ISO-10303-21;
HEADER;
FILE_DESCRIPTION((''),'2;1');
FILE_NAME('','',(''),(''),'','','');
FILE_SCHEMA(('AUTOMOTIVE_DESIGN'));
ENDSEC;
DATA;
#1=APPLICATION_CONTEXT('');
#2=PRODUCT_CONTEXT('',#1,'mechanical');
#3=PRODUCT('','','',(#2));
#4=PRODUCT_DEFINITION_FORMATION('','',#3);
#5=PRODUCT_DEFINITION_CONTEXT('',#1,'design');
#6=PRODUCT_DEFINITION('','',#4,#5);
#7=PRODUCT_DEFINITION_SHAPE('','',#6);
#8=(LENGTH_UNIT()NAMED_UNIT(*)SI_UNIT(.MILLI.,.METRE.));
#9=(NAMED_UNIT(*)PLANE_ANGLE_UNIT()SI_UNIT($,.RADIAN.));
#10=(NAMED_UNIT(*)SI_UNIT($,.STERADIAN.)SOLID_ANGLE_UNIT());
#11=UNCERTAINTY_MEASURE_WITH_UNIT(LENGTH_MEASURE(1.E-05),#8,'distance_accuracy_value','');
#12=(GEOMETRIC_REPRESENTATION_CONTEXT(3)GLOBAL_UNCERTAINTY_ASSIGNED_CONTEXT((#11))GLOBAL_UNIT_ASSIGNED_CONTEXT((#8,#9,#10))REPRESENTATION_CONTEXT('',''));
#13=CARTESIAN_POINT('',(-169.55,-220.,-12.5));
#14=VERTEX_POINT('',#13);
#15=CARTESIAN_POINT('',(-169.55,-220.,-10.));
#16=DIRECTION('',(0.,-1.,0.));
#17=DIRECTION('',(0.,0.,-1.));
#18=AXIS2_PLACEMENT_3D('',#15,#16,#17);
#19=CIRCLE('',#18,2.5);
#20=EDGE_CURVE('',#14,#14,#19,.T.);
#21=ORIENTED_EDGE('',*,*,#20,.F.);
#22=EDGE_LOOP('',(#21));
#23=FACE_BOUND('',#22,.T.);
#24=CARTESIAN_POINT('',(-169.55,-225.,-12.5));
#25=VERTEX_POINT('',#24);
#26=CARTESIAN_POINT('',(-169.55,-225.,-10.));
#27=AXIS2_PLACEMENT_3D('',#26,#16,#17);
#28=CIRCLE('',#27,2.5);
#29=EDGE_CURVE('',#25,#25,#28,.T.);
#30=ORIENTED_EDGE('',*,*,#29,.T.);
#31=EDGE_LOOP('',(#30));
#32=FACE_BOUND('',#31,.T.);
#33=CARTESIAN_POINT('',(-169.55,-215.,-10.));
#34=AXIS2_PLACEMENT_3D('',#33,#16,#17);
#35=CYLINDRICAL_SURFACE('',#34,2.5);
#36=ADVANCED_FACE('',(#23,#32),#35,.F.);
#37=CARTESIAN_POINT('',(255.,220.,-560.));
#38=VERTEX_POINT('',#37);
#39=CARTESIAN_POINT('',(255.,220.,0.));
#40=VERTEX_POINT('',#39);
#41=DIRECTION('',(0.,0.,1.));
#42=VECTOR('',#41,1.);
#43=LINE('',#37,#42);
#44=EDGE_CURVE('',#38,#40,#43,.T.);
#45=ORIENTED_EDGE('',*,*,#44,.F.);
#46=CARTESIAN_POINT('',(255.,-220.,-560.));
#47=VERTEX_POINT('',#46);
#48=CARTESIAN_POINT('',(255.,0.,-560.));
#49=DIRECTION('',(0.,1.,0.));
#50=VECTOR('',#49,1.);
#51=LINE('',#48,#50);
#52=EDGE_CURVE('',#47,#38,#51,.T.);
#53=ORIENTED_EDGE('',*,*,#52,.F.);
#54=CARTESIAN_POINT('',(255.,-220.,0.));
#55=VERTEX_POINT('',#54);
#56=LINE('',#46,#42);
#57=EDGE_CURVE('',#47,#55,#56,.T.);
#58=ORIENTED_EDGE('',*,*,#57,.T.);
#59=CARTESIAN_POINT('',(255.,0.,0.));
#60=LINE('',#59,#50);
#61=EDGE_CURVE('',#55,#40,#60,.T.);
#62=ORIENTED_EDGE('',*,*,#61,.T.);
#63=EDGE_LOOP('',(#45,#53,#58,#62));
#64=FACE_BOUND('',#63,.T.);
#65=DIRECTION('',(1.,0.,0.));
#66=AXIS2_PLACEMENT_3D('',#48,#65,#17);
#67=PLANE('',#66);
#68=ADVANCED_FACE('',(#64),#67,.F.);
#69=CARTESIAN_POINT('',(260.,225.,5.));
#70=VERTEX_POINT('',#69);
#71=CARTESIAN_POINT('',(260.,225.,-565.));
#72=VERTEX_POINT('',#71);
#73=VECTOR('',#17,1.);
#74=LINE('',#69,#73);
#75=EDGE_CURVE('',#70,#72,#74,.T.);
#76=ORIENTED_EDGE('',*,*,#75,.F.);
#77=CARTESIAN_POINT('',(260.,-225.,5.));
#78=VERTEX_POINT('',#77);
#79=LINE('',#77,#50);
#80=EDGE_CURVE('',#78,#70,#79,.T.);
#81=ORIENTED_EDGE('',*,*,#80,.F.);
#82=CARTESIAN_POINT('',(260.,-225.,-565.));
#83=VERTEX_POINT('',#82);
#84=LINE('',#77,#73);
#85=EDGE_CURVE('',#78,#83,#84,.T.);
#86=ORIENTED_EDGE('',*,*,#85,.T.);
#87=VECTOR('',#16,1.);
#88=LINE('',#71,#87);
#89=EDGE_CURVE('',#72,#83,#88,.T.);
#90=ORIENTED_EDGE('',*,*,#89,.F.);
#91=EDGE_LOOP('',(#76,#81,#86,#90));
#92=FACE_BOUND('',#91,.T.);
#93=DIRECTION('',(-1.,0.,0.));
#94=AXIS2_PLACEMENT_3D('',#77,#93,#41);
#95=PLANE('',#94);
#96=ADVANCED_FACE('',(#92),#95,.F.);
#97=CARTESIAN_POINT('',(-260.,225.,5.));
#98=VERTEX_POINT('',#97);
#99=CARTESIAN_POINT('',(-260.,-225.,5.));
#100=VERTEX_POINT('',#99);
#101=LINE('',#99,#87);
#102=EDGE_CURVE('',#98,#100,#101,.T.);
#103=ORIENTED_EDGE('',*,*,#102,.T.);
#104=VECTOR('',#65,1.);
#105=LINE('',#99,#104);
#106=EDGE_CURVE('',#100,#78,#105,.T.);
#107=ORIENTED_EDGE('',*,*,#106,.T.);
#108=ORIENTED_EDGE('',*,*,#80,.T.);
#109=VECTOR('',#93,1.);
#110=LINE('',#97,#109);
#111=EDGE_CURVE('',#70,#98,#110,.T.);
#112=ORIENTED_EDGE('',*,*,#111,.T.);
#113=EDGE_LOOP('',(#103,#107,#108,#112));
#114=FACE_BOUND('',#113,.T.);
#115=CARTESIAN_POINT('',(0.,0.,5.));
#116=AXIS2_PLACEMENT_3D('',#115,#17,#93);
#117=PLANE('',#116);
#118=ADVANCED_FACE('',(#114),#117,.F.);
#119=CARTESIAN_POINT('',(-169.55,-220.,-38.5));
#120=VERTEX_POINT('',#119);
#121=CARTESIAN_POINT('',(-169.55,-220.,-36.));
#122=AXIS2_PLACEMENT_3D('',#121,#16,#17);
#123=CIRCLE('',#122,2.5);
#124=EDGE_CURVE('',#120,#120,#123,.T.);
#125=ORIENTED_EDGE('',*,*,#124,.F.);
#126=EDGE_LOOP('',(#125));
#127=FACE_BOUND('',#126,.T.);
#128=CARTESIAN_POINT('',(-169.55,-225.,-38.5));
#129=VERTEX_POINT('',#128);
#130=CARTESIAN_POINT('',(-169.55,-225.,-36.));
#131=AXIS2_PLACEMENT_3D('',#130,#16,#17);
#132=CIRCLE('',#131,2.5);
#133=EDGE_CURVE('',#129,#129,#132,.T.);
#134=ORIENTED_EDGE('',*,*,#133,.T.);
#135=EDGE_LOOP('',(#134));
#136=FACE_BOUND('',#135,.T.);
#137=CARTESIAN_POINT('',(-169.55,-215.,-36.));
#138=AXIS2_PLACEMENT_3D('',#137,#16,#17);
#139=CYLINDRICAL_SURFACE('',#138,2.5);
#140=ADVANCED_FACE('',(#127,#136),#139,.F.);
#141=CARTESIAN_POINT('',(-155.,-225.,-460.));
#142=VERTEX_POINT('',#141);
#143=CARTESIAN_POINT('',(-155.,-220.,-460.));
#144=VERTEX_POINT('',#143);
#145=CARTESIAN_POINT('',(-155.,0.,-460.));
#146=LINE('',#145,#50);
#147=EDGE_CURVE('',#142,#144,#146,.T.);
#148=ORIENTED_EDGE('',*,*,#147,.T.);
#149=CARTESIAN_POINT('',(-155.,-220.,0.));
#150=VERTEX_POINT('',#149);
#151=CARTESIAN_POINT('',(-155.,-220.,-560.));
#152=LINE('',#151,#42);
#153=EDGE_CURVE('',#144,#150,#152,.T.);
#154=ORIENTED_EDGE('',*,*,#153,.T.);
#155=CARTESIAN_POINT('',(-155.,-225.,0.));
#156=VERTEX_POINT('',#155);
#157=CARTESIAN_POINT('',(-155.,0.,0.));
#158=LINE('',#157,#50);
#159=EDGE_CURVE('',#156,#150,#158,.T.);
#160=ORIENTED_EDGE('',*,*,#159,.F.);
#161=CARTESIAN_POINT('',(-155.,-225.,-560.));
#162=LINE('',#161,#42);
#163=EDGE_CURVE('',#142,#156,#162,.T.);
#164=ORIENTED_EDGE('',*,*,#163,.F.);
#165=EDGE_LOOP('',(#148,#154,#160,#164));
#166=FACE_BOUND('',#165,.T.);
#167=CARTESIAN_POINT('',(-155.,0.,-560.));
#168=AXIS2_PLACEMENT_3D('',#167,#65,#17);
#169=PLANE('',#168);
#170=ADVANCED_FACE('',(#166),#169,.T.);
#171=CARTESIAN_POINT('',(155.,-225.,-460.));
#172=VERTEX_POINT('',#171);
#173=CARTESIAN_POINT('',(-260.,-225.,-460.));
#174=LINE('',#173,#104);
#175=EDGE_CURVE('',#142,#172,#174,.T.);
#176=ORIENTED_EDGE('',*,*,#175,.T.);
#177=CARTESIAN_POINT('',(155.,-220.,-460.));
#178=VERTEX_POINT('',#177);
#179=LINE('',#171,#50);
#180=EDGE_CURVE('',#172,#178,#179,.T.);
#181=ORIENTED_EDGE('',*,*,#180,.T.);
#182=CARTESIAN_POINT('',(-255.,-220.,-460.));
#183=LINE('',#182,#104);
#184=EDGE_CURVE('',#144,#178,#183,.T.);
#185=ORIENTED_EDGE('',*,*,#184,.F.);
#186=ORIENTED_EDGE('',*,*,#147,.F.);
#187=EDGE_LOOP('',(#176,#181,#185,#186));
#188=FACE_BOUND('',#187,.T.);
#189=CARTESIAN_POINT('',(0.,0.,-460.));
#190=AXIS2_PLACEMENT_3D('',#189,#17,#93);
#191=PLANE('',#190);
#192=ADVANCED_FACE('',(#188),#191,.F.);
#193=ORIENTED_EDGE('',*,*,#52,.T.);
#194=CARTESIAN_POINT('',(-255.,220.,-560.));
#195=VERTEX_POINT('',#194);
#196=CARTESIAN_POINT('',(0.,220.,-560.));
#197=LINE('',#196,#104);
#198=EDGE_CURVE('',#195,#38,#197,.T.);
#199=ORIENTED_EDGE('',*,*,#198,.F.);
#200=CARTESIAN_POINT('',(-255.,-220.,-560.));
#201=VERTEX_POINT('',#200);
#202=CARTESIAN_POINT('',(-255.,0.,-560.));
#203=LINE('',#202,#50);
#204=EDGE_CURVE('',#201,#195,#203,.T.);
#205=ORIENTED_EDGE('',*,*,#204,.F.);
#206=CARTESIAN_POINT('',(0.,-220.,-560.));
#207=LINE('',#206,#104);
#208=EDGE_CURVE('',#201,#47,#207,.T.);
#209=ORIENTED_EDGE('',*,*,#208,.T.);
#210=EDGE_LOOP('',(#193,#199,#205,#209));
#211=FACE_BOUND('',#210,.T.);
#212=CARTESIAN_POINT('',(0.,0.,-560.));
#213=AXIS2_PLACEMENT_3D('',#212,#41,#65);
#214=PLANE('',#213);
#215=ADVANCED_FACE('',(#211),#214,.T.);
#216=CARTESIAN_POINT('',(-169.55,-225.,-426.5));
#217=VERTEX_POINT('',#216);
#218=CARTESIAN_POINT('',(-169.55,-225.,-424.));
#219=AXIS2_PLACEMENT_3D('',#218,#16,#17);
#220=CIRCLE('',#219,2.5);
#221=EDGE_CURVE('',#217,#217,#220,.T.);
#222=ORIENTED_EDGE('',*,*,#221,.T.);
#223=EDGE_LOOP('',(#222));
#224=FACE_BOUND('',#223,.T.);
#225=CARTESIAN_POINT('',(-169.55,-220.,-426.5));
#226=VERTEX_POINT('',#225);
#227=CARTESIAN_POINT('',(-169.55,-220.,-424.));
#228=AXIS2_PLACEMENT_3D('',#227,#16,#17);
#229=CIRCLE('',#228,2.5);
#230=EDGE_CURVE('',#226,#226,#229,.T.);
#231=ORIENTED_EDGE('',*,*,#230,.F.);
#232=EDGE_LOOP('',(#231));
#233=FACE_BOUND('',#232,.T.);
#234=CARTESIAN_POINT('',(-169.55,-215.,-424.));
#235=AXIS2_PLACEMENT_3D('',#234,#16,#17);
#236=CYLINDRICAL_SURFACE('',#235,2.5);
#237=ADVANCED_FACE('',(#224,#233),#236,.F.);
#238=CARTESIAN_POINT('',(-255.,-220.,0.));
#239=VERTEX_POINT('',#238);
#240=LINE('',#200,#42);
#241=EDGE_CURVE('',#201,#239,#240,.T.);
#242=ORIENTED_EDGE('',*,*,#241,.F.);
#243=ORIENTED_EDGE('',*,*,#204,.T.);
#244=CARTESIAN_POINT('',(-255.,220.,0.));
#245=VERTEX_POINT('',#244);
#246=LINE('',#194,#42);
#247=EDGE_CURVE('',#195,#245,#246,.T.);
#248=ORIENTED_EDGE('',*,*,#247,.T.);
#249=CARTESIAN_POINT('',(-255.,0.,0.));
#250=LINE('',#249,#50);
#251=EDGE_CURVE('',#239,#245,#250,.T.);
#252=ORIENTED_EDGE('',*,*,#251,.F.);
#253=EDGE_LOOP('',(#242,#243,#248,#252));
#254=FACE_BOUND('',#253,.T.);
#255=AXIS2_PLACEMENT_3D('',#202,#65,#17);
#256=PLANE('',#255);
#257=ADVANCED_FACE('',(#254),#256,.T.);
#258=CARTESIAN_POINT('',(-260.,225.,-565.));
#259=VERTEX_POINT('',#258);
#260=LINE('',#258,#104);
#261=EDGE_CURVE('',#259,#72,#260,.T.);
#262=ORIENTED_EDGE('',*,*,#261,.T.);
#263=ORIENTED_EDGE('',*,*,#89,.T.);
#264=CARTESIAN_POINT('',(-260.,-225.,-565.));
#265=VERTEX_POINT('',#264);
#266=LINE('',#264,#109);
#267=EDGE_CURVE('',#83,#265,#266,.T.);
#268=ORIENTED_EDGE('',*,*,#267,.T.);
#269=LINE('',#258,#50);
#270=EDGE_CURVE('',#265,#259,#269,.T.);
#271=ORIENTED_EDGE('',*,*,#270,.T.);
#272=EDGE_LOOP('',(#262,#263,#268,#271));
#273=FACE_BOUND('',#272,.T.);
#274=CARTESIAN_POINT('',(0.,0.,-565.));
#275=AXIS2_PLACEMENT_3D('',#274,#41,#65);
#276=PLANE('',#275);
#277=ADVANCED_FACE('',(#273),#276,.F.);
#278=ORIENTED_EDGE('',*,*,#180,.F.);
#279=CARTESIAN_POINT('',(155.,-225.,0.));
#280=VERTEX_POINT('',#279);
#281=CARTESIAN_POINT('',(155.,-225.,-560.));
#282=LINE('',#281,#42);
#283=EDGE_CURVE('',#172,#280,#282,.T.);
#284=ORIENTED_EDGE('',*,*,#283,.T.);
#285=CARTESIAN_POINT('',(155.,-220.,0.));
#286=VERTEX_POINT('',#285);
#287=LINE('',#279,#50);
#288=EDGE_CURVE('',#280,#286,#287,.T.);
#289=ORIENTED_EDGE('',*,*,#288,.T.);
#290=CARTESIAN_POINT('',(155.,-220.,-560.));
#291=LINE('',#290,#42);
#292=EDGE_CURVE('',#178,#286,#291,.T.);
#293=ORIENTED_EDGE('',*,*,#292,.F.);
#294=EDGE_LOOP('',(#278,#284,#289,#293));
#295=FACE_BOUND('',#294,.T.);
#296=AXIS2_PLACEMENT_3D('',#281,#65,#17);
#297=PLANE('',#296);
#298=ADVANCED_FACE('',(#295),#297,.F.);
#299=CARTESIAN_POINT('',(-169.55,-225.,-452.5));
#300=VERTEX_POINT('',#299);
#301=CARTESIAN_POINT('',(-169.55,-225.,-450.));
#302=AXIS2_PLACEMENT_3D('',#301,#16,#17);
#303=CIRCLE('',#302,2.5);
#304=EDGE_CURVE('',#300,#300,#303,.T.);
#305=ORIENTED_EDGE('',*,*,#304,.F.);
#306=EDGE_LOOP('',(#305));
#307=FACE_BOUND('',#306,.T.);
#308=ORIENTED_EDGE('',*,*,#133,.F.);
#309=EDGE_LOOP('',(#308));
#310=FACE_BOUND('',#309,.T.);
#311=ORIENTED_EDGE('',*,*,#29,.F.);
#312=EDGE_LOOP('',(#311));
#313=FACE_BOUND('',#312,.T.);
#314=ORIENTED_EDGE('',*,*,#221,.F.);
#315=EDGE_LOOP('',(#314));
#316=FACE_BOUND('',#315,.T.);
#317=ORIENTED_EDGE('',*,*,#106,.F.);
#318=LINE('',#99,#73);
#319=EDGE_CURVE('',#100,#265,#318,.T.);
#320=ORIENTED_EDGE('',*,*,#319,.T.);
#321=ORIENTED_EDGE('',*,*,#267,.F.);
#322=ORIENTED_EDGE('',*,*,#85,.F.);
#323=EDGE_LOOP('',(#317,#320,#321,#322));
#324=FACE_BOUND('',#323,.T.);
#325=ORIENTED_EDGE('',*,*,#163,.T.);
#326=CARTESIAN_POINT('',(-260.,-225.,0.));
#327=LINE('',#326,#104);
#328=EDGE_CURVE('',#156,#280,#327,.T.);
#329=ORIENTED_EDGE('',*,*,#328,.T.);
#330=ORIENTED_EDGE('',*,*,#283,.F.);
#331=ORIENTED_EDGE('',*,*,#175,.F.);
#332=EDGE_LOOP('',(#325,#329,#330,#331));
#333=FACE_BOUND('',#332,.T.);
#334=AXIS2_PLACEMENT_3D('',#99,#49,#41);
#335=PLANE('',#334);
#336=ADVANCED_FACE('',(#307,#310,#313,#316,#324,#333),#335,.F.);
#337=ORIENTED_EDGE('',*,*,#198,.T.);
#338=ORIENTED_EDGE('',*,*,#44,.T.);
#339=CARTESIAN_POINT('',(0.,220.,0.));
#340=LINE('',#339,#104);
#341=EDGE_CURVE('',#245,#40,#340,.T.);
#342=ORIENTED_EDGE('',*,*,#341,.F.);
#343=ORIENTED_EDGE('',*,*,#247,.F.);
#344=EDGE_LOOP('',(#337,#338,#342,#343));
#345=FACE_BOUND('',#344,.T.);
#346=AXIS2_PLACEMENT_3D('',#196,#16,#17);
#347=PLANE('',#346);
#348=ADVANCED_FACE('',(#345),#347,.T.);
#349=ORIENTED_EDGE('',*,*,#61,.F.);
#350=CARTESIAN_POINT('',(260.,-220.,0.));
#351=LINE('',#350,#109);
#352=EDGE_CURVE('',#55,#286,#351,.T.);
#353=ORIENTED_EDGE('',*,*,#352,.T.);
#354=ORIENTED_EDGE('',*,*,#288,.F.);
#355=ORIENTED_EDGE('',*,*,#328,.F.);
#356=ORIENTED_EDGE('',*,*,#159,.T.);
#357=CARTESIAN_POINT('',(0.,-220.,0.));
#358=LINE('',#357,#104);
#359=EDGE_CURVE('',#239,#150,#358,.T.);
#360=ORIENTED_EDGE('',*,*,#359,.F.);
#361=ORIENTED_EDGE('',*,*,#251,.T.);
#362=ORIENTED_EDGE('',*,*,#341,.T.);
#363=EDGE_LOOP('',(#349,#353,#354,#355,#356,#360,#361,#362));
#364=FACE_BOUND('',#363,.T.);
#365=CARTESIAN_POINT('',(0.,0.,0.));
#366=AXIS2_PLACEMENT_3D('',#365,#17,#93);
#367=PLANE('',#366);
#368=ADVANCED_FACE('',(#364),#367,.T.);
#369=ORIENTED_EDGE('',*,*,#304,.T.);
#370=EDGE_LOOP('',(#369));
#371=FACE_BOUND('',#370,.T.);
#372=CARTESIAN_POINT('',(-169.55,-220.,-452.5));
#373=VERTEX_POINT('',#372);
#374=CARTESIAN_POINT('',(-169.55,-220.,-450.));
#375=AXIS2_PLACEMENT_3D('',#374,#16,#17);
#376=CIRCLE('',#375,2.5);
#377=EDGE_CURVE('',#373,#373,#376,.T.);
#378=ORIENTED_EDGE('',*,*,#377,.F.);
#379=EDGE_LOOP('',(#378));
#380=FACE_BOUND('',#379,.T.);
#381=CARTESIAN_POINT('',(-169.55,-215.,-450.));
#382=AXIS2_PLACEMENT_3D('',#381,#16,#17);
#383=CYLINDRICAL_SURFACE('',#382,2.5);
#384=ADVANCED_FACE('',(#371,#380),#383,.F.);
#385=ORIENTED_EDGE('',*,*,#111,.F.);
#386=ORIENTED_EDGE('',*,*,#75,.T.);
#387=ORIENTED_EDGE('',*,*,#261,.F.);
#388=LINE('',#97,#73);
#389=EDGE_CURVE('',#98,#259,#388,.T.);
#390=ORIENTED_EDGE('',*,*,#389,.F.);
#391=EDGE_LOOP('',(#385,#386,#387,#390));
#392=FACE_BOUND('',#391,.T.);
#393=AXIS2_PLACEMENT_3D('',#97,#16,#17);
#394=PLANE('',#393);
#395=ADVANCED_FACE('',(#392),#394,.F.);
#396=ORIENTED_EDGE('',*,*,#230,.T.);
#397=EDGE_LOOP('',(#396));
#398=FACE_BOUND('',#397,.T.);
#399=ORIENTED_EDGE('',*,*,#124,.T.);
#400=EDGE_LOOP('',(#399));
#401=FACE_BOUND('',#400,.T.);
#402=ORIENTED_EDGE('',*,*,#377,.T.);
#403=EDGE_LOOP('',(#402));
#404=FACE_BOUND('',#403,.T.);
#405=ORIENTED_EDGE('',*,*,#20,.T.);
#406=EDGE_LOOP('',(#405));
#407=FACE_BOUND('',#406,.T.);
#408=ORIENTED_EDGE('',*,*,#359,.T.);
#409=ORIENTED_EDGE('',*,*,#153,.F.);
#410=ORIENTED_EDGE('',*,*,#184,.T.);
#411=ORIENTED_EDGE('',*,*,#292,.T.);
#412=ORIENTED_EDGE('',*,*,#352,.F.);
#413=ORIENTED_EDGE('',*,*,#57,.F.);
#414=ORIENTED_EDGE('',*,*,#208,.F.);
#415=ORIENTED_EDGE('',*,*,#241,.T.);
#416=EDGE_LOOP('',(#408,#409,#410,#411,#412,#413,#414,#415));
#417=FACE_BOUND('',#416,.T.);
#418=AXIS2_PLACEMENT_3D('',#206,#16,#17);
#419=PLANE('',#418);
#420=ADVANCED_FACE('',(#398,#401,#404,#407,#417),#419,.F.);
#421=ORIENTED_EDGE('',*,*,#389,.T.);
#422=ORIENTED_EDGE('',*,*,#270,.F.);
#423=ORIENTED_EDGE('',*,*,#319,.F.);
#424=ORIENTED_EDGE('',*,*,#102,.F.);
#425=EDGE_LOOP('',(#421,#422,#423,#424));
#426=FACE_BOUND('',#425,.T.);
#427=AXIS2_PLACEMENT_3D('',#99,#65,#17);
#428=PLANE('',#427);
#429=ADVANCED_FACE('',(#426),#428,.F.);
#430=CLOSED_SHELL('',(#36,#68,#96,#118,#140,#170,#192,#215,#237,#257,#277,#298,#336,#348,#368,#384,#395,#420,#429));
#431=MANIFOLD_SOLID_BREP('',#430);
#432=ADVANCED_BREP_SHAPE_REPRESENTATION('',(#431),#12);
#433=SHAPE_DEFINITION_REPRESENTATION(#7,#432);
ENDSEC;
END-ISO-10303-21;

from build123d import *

# Parameters (mm, degrees)
SKETCH1_W           = 520
SKETCH1_H           = 450
BOSS_EXTRUDE1_DEPTH = 5
BOSS_EXTRUDE3_DEPTH = 560
SKETCH4_W           = 520
SKETCH4_H           = 450
BOSS_EXTRUDE4_DEPTH = 5
SKETCH5_W           = 520
SKETCH5_H           = 450
SKETCH5_W_2         = 510
SKETCH5_H_2         = 440
BOSS_EXTRUDE5_DEPTH = 100
SKETCH6_R           = 2.5
CUT_EXTRUDE1_DEPTH  = 10


with BuildPart() as part:
    # Sketch1 → Boss-Extrude1 (new body)
    with BuildSketch(Plane.XY):
        Rectangle(SKETCH1_W, SKETCH1_H)
    extrude(amount=BOSS_EXTRUDE1_DEPTH)

    # Sketch3 → Boss-Extrude3 (add)
    with BuildSketch(Plane(origin=(0, 0, 0), x_dir=(-1, 0, 0), z_dir=(0, 0, -1))):
        Polygon((260, 225), (-260, 225), (-260, -225), (-155, -225), (-155, -220), (-255, -220), (-255, 220), (255, 220), (255, -220), (155, -220), (155, -225), (260, -225), align=None)
    extrude(amount=BOSS_EXTRUDE3_DEPTH)

    # Sketch4 → Boss-Extrude4 (add)
    with BuildSketch(Plane(origin=(0, 0, -560), x_dir=(-1, 0, 0), z_dir=(0, 0, -1))):
        Rectangle(SKETCH4_W, SKETCH4_H)
    extrude(amount=BOSS_EXTRUDE4_DEPTH)

    # Sketch5 → Boss-Extrude5 (add)
    with BuildSketch(Plane.XY.offset(-560)):
        Rectangle(SKETCH5_W, SKETCH5_H)
        Rectangle(SKETCH5_W_2, SKETCH5_H_2, mode=Mode.SUBTRACT)
    extrude(amount=BOSS_EXTRUDE5_DEPTH)

    # Sketch6 → Cut-Extrude1 (cut)
    with BuildSketch(Plane.XZ.offset(225)):
        with Locations((-169.55, -10)):
            Circle(SKETCH6_R)
        with Locations((-169.55, -36)):
            Circle(SKETCH6_R)
        with Locations((-169.55, -450)):
            Circle(SKETCH6_R)
        with Locations((-169.55, -424)):
            Circle(SKETCH6_R)
    extrude(amount=-CUT_EXTRUDE1_DEPTH, mode=Mode.SUBTRACT)


solid = part.part
